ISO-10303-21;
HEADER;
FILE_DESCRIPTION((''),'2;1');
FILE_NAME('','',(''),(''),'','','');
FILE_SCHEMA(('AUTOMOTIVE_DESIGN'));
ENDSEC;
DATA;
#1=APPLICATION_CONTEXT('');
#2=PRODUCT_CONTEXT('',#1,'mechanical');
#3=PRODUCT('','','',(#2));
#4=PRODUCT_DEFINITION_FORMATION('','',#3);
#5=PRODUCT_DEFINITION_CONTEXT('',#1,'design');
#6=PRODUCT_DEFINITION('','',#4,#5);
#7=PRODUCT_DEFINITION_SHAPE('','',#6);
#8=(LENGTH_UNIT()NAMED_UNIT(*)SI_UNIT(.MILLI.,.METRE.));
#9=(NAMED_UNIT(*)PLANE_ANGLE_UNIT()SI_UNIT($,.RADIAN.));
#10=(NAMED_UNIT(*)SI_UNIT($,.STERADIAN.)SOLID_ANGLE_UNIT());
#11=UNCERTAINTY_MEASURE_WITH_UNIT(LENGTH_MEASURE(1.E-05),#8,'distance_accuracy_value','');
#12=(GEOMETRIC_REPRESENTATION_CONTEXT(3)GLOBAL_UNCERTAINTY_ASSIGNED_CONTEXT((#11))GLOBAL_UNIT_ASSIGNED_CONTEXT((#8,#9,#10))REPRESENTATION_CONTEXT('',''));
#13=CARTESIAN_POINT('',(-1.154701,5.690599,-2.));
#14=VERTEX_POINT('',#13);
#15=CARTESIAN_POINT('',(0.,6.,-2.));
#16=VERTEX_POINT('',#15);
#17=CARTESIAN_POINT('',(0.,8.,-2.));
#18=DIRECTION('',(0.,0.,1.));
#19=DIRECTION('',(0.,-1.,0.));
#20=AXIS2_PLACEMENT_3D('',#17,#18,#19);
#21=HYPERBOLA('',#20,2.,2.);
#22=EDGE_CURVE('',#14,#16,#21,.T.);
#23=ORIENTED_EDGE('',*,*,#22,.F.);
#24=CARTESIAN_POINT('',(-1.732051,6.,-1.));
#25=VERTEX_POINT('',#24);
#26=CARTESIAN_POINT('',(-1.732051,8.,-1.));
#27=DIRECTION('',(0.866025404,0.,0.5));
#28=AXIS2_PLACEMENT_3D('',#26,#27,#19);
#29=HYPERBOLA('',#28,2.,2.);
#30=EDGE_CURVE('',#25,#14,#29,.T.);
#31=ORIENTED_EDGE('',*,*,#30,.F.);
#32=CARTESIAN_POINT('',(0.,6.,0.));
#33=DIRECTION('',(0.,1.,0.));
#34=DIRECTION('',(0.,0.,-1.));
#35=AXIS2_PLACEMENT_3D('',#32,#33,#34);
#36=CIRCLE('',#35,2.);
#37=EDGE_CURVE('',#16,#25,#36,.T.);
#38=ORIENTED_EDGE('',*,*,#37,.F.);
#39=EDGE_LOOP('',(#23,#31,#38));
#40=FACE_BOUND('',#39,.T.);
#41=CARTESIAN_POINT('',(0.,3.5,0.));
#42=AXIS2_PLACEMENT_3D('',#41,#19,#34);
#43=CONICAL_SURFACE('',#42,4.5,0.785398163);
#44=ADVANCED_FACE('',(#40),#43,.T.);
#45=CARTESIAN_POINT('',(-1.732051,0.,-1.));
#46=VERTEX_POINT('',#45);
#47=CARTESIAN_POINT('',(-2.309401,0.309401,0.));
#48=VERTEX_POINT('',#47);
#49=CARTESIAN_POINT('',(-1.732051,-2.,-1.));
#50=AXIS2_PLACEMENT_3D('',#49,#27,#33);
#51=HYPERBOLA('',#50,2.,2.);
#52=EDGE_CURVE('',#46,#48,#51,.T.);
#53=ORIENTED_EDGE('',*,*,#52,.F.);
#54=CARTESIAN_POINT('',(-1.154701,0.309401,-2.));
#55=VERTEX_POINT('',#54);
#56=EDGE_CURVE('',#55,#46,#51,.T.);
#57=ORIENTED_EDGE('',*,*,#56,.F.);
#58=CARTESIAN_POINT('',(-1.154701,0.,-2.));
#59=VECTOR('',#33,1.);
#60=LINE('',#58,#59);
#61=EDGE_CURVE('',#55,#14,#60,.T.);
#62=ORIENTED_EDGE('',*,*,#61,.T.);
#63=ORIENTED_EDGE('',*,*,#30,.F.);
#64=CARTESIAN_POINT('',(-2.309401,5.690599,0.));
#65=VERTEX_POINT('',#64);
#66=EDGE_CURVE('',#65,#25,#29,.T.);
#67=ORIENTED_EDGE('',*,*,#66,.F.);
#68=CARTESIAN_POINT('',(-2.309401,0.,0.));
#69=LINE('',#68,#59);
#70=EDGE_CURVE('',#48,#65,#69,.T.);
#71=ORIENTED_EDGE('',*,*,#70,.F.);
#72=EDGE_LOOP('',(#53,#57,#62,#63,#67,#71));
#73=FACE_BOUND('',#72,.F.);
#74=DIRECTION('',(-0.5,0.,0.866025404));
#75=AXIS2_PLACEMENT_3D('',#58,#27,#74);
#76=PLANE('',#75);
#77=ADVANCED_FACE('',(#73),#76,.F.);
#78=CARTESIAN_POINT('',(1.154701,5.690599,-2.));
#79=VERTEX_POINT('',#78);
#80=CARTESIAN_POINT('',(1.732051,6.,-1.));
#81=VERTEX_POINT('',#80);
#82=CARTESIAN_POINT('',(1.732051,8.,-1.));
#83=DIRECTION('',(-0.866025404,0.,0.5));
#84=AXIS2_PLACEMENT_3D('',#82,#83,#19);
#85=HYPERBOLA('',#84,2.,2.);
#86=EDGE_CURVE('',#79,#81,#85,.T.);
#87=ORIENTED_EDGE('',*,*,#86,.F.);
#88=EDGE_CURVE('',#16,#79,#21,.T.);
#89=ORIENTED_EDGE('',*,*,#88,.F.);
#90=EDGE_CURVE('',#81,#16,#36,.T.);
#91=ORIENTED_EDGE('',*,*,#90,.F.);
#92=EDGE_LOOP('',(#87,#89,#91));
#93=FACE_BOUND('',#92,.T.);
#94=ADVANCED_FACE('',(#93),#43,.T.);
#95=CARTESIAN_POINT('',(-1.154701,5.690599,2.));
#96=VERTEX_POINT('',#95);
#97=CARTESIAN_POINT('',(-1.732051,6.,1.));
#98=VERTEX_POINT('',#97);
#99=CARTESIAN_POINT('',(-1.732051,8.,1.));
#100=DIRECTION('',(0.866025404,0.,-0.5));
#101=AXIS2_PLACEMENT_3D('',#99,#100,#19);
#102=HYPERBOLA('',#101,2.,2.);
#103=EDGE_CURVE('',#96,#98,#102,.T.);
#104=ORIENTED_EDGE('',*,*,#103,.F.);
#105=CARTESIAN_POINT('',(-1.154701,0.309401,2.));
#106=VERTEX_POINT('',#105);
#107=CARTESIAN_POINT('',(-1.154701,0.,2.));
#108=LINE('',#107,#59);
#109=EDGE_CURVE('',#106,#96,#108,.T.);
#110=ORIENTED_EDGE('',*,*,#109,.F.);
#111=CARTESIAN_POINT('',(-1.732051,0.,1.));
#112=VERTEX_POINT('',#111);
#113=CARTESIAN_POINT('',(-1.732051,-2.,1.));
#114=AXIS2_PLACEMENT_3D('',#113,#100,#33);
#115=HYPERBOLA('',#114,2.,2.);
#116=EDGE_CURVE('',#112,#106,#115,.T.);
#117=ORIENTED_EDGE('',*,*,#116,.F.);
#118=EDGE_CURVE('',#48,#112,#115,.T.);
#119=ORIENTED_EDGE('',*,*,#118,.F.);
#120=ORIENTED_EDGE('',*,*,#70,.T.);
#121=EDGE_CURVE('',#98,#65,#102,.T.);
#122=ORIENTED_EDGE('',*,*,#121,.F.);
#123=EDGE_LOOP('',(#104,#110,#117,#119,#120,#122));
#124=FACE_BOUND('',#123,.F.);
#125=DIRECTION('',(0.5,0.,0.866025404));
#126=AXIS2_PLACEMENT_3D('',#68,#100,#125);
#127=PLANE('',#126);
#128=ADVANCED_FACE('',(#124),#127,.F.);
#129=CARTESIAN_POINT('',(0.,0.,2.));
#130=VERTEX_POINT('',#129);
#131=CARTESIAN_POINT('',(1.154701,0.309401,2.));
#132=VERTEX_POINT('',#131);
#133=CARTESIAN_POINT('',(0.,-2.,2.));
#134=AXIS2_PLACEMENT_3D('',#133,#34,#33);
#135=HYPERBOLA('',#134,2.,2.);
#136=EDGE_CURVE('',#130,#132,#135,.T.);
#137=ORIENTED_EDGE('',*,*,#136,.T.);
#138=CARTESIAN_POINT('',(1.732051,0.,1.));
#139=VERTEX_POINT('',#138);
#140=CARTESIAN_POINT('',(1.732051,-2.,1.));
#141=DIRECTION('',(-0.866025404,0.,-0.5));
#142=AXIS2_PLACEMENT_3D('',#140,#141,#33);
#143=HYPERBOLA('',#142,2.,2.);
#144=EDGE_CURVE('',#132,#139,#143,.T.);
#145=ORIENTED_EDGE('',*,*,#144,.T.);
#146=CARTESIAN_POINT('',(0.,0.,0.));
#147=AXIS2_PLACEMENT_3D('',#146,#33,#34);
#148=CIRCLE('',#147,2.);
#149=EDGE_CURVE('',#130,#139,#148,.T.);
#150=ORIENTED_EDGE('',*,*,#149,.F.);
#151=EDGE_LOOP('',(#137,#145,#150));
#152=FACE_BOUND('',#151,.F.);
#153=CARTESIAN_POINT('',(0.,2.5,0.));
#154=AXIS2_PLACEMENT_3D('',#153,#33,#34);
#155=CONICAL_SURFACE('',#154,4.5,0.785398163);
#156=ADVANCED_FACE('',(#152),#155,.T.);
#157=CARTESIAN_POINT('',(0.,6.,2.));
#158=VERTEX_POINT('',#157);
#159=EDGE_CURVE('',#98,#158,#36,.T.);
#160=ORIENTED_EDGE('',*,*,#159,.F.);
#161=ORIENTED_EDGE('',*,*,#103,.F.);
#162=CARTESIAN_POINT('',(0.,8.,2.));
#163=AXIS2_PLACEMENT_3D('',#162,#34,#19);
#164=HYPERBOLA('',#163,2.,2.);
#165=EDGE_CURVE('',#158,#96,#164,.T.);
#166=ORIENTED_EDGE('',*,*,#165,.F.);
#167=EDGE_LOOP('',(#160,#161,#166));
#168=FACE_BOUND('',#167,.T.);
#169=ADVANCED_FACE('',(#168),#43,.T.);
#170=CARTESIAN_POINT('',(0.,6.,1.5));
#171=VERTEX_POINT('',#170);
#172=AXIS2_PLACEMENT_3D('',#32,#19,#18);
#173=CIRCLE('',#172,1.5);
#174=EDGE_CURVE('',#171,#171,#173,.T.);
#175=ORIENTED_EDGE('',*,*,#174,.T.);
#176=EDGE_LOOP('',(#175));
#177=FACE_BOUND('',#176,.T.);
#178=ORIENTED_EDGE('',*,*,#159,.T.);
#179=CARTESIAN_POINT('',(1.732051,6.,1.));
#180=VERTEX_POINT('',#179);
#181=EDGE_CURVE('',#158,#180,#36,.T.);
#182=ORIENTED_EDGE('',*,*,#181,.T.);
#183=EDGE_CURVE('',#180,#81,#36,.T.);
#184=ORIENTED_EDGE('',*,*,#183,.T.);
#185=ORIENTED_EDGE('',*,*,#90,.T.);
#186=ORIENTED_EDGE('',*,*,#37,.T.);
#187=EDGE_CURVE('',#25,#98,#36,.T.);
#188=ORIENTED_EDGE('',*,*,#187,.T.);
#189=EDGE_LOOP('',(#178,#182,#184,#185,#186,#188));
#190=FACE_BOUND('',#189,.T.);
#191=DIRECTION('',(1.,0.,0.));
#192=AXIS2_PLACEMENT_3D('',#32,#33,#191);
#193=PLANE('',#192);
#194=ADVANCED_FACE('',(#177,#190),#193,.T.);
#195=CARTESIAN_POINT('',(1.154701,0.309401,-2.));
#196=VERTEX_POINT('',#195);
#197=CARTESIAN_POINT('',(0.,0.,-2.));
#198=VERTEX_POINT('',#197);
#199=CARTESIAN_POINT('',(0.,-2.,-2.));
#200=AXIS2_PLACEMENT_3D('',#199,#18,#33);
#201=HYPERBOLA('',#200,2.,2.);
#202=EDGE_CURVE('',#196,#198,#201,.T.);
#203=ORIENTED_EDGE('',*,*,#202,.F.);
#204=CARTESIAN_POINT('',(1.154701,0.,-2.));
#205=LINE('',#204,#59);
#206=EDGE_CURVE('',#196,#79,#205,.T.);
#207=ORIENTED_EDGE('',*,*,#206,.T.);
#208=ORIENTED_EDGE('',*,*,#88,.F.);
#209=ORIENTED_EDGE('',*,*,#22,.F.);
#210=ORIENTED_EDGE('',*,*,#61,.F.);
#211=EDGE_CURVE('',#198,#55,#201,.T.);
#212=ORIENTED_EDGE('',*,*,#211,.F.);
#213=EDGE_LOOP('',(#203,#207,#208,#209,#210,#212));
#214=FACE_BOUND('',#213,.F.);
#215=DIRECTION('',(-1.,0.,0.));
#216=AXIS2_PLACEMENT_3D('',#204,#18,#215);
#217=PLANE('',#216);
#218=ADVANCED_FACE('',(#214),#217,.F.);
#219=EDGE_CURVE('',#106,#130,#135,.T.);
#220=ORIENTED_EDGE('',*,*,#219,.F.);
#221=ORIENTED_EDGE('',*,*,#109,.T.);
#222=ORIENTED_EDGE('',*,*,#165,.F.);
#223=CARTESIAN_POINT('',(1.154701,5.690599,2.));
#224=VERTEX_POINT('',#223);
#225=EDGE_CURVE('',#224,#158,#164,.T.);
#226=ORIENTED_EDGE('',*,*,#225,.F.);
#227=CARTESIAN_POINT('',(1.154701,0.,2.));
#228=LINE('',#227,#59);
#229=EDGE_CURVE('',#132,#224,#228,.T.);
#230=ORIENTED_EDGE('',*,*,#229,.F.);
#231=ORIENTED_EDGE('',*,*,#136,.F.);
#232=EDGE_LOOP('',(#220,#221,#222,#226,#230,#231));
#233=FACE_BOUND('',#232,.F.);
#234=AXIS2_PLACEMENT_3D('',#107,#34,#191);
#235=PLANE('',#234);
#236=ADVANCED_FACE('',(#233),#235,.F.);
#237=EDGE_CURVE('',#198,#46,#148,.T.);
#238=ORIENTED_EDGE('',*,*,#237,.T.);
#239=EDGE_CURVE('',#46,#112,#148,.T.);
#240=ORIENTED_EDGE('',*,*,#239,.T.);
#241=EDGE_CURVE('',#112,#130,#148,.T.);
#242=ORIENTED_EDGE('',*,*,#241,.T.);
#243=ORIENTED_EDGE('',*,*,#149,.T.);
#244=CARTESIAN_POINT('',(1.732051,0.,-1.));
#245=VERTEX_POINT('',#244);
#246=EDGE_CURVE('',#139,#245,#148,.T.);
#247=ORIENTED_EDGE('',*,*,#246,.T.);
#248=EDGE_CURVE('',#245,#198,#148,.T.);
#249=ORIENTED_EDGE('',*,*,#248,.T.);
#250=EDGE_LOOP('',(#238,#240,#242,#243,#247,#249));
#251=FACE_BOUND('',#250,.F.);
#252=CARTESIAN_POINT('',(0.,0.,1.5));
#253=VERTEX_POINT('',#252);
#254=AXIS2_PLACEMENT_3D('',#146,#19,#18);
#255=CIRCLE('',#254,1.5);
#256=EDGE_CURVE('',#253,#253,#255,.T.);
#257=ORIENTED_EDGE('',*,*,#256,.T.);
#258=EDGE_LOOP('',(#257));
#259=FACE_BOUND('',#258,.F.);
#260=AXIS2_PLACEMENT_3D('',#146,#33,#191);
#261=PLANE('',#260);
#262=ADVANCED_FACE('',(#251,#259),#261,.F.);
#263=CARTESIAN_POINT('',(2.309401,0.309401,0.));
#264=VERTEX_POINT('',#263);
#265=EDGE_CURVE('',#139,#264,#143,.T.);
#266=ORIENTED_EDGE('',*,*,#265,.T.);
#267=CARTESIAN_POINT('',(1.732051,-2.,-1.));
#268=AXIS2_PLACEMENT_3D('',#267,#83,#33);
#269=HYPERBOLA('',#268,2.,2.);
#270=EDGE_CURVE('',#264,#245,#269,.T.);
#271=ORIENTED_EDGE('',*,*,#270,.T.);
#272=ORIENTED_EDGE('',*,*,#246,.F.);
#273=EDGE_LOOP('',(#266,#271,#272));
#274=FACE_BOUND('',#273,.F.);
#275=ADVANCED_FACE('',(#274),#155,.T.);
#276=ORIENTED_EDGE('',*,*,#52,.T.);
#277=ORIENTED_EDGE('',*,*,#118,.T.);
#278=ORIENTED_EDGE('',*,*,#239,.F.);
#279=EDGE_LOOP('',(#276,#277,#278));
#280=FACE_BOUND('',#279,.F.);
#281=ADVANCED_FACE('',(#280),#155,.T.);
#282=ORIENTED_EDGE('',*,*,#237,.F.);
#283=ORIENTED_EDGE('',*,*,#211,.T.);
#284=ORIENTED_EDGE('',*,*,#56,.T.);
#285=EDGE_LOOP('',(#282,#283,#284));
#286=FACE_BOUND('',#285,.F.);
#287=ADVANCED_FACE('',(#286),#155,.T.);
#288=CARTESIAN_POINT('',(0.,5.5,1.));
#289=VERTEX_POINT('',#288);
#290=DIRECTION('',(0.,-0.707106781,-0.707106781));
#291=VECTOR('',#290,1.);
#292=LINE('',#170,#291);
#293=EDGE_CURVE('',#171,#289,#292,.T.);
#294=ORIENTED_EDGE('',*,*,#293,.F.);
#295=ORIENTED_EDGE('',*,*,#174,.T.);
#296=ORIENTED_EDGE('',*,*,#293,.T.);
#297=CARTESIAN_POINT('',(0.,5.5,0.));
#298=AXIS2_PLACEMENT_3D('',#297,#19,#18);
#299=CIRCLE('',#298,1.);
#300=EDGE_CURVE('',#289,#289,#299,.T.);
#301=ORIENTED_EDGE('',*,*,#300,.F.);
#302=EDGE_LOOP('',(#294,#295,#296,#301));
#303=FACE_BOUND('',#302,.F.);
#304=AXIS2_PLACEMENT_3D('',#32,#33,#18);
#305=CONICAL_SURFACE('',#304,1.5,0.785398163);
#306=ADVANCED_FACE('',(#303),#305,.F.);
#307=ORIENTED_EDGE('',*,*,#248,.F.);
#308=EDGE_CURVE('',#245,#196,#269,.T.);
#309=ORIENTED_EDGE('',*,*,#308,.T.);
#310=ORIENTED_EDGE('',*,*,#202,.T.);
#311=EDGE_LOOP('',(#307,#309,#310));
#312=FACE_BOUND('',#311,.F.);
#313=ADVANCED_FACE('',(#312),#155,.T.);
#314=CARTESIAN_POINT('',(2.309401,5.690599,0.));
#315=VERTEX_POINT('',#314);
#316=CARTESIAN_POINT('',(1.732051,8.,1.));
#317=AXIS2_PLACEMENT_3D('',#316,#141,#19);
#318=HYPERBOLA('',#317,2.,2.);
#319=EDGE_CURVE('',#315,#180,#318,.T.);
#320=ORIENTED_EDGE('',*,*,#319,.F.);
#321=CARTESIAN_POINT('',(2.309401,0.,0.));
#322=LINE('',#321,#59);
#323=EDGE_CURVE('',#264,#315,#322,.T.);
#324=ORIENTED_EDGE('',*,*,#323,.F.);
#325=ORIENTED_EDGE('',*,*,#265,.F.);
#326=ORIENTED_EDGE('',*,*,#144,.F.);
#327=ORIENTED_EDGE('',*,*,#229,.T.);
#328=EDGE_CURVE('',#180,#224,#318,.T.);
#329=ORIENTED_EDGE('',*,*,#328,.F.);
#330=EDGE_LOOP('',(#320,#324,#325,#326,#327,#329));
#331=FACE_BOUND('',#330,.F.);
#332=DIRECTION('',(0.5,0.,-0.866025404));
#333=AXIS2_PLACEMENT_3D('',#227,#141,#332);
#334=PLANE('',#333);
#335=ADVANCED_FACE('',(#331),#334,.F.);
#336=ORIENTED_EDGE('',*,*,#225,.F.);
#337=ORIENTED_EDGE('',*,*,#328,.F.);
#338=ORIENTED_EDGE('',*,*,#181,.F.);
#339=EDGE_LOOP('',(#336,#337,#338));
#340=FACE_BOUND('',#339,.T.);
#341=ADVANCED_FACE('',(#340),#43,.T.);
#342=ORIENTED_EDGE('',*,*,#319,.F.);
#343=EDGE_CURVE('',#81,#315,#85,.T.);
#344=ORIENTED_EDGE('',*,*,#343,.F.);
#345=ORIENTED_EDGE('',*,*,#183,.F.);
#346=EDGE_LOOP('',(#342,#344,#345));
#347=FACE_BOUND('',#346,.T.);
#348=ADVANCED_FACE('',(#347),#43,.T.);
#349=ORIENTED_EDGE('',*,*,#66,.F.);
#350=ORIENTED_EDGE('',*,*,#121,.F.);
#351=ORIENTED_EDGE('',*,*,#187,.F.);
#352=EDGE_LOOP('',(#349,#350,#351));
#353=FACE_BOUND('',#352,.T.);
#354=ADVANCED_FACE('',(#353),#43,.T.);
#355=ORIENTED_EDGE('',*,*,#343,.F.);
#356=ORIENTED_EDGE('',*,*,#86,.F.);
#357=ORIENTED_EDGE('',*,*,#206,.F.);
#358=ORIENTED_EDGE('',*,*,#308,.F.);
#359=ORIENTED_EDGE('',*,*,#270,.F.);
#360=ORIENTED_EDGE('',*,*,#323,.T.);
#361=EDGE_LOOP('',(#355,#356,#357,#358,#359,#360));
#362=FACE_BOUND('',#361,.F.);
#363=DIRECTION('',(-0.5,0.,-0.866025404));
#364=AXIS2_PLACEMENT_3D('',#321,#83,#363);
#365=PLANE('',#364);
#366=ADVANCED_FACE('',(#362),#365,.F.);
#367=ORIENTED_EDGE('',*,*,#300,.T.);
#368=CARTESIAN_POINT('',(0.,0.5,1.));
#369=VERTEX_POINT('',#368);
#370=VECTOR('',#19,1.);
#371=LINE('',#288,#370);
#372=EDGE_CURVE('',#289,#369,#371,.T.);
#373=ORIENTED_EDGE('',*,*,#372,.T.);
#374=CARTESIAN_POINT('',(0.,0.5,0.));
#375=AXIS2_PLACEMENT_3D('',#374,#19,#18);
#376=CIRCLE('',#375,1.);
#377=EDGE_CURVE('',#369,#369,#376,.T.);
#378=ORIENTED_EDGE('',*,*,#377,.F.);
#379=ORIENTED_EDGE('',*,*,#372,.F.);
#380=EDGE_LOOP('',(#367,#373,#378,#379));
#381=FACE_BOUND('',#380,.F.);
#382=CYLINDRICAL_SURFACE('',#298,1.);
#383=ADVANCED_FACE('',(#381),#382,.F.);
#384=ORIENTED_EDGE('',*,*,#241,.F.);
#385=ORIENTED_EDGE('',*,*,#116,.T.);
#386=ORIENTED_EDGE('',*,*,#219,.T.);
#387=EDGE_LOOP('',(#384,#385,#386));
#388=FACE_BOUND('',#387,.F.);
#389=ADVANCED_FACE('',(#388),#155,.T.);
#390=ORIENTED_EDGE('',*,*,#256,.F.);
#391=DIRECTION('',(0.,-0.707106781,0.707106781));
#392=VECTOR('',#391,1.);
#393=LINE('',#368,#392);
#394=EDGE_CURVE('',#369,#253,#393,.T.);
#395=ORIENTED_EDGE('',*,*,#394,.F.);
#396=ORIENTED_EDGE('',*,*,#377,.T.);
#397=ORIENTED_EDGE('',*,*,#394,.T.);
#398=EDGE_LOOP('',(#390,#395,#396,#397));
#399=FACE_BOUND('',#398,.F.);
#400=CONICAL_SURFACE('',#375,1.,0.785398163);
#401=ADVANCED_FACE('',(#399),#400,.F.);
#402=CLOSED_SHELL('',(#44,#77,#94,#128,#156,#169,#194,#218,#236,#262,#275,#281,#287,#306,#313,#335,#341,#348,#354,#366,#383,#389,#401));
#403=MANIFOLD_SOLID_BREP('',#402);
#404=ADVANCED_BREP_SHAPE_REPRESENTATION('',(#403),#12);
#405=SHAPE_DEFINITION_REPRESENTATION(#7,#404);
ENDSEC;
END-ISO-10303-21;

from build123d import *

# Parameters (mm, degrees)
EXTRUDE1_DEPTH = 6


with BuildPart() as part:
    # Sketch1 → Extrude1 (new body)
    with BuildSketch(Plane(origin=(0, 0, 0), x_dir=(1, 0, 0), z_dir=(0, 1, 0))):
        Polygon((1.154700538, 2), (-1.154700538, 2), (-2.309401077, 0), (-1.154700538, -2), (1.154700538, -2), (2.309401077, 0), align=None)
    extrude(amount=EXTRUDE1_DEPTH)

    # Sketch3 → Cut-Revolve1 (revolve, cut)
    with BuildSketch(Plane(origin=(0, 0, 0), x_dir=(0, 0, -1), z_dir=(1, 0, 0)), mode=Mode.PRIVATE) as cut_revolve1_sk:
        Polygon((1.5, 6), (1, 5.5), (1, 0.5), (1.5, 0), (0, 0), (0, 6), align=None)
    revolve(cut_revolve1_sk.sketch.rotate(Axis((0, 6, 0), (0, -1, 0)), 180), axis=Axis((0, 6, 0), (0, -1, 0)), mode=Mode.SUBTRACT)

    # Sketch4 → Cut-Revolve3 (revolve, cut)
    with BuildSketch(Plane(origin=(0, 0, 0), x_dir=(0, 0, -1), z_dir=(1, 0, 0))):
        Polygon((2, 6), (4.5, 6), (4.5, 3.5), align=None)
        Polygon((2, 0), (4.5, 0), (4.5, 2.5), align=None)
    revolve(axis=Axis((0, 0, 0), (0, 1, 0)), mode=Mode.SUBTRACT)


solid = part.part
